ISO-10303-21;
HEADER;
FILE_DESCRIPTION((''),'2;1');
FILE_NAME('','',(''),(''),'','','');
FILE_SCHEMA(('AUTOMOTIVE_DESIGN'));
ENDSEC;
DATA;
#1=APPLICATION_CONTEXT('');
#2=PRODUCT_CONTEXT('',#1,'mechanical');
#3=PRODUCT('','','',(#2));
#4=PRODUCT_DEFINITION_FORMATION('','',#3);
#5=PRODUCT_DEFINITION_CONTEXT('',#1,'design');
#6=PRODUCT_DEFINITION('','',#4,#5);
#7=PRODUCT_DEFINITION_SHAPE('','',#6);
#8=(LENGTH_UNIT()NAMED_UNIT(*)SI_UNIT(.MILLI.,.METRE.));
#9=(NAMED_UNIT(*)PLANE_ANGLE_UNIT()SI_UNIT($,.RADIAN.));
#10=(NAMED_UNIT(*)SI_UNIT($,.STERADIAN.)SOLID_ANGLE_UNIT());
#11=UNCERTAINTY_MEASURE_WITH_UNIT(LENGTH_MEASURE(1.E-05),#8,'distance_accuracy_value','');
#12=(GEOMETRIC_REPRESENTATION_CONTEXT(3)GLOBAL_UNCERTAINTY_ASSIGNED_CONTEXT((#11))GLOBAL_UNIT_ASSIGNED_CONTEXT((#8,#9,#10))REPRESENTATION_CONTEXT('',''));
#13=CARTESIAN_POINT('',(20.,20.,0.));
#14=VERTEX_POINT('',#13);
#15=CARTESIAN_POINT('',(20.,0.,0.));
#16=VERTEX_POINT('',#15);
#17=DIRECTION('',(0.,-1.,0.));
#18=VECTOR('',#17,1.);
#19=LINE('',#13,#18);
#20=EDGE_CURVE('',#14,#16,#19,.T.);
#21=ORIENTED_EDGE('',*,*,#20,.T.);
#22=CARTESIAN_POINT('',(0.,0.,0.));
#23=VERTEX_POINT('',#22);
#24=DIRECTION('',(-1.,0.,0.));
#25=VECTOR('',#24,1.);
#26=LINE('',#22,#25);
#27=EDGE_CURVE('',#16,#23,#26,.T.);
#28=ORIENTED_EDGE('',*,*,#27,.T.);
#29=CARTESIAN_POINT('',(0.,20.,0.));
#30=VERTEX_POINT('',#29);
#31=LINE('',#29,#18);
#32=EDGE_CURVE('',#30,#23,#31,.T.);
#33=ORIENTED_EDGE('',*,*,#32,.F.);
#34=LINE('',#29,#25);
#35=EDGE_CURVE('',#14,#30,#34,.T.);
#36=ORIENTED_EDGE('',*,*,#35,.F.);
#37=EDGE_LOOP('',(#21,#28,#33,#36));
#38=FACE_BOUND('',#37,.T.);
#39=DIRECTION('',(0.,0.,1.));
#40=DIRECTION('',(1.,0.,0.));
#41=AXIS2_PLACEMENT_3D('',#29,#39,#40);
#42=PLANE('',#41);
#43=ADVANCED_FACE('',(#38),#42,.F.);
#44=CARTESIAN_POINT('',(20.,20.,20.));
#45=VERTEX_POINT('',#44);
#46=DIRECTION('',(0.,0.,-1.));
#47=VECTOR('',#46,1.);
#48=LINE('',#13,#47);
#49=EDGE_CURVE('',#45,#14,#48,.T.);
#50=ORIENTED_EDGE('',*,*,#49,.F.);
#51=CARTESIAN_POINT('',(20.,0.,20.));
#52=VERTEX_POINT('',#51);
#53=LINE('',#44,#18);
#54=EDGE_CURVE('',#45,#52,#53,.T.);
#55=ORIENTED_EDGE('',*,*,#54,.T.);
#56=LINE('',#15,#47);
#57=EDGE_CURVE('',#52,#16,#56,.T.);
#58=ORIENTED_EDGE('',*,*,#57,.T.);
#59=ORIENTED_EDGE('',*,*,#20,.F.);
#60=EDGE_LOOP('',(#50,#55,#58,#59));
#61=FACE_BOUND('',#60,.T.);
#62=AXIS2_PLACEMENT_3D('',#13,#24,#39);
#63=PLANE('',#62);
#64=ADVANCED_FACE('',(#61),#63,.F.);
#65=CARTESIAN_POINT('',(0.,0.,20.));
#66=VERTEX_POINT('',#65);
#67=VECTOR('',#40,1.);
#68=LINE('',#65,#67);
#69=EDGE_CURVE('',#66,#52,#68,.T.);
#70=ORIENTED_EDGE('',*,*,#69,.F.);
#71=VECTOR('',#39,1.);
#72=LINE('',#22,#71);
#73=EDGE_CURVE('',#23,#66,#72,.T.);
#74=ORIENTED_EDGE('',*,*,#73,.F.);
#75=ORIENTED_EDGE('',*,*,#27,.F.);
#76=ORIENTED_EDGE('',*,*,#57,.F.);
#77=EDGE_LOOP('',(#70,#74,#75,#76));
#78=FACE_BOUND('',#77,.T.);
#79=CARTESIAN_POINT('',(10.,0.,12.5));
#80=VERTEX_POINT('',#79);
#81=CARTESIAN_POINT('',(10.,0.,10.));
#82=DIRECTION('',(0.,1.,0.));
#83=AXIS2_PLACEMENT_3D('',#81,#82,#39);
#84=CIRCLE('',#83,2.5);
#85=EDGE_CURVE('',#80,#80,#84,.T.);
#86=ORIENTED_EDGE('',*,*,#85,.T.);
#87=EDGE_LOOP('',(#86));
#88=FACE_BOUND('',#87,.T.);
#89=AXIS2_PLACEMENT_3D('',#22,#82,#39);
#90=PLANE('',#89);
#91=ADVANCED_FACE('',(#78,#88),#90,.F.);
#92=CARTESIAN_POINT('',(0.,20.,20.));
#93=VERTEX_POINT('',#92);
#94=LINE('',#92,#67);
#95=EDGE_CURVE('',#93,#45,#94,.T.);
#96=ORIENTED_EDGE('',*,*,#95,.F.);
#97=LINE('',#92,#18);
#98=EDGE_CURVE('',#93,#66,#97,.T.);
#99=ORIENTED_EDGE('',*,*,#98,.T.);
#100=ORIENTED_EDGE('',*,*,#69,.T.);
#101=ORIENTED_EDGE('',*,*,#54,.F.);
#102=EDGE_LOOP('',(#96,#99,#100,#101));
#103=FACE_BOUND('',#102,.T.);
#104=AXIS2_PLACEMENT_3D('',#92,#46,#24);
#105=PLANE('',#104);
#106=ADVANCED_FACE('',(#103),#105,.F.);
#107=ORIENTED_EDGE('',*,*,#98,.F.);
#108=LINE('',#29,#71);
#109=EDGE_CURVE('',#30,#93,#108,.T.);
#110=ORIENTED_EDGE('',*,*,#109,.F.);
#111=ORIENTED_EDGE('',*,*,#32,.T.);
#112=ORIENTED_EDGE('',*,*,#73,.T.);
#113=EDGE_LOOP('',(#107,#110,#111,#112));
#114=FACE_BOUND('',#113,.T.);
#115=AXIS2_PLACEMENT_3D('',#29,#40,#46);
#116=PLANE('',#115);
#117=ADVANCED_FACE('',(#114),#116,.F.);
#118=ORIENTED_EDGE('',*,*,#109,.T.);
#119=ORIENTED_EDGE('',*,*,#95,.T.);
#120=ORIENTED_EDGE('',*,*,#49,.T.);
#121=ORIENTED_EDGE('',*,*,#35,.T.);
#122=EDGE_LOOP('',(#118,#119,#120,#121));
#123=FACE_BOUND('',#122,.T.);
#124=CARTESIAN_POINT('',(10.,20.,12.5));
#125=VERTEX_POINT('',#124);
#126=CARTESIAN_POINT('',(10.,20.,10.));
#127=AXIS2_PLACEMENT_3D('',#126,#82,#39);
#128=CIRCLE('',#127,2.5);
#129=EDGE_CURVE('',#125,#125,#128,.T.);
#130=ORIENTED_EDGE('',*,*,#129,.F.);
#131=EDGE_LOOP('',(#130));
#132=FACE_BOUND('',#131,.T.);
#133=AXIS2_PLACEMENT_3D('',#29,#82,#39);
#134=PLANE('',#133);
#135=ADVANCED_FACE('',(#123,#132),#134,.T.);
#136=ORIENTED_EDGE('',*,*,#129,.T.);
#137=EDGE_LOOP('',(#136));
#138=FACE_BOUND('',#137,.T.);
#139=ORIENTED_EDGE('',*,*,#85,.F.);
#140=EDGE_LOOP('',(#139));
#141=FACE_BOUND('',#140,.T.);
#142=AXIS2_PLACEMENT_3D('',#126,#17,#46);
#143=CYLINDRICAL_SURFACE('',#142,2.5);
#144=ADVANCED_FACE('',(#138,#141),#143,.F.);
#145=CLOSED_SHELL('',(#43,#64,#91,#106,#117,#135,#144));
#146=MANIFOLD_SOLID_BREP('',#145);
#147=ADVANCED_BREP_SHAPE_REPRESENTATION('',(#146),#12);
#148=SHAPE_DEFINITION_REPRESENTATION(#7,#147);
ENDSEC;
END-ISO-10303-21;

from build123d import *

# Parameters (mm, degrees)
SKETCH1_W           = 20
SKETCH1_H           = 20
SKETCH1_R           = 2.5
BOSS_EXTRUDE1_DEPTH = 20


with BuildPart() as part:
    # Sketch1 → Boss-Extrude1 (new body)
    with BuildSketch(Plane(origin=(0, 0, 0), x_dir=(1, 0, 0), z_dir=(0, 1, 0))):
        with Locations((10, -10)):
            Rectangle(SKETCH1_W, SKETCH1_H)
        with Locations(Location((10, -10, 0), (0, 0, 270))):
            Circle(SKETCH1_R, mode=Mode.SUBTRACT)
    extrude(amount=BOSS_EXTRUDE1_DEPTH)


solid = part.part
